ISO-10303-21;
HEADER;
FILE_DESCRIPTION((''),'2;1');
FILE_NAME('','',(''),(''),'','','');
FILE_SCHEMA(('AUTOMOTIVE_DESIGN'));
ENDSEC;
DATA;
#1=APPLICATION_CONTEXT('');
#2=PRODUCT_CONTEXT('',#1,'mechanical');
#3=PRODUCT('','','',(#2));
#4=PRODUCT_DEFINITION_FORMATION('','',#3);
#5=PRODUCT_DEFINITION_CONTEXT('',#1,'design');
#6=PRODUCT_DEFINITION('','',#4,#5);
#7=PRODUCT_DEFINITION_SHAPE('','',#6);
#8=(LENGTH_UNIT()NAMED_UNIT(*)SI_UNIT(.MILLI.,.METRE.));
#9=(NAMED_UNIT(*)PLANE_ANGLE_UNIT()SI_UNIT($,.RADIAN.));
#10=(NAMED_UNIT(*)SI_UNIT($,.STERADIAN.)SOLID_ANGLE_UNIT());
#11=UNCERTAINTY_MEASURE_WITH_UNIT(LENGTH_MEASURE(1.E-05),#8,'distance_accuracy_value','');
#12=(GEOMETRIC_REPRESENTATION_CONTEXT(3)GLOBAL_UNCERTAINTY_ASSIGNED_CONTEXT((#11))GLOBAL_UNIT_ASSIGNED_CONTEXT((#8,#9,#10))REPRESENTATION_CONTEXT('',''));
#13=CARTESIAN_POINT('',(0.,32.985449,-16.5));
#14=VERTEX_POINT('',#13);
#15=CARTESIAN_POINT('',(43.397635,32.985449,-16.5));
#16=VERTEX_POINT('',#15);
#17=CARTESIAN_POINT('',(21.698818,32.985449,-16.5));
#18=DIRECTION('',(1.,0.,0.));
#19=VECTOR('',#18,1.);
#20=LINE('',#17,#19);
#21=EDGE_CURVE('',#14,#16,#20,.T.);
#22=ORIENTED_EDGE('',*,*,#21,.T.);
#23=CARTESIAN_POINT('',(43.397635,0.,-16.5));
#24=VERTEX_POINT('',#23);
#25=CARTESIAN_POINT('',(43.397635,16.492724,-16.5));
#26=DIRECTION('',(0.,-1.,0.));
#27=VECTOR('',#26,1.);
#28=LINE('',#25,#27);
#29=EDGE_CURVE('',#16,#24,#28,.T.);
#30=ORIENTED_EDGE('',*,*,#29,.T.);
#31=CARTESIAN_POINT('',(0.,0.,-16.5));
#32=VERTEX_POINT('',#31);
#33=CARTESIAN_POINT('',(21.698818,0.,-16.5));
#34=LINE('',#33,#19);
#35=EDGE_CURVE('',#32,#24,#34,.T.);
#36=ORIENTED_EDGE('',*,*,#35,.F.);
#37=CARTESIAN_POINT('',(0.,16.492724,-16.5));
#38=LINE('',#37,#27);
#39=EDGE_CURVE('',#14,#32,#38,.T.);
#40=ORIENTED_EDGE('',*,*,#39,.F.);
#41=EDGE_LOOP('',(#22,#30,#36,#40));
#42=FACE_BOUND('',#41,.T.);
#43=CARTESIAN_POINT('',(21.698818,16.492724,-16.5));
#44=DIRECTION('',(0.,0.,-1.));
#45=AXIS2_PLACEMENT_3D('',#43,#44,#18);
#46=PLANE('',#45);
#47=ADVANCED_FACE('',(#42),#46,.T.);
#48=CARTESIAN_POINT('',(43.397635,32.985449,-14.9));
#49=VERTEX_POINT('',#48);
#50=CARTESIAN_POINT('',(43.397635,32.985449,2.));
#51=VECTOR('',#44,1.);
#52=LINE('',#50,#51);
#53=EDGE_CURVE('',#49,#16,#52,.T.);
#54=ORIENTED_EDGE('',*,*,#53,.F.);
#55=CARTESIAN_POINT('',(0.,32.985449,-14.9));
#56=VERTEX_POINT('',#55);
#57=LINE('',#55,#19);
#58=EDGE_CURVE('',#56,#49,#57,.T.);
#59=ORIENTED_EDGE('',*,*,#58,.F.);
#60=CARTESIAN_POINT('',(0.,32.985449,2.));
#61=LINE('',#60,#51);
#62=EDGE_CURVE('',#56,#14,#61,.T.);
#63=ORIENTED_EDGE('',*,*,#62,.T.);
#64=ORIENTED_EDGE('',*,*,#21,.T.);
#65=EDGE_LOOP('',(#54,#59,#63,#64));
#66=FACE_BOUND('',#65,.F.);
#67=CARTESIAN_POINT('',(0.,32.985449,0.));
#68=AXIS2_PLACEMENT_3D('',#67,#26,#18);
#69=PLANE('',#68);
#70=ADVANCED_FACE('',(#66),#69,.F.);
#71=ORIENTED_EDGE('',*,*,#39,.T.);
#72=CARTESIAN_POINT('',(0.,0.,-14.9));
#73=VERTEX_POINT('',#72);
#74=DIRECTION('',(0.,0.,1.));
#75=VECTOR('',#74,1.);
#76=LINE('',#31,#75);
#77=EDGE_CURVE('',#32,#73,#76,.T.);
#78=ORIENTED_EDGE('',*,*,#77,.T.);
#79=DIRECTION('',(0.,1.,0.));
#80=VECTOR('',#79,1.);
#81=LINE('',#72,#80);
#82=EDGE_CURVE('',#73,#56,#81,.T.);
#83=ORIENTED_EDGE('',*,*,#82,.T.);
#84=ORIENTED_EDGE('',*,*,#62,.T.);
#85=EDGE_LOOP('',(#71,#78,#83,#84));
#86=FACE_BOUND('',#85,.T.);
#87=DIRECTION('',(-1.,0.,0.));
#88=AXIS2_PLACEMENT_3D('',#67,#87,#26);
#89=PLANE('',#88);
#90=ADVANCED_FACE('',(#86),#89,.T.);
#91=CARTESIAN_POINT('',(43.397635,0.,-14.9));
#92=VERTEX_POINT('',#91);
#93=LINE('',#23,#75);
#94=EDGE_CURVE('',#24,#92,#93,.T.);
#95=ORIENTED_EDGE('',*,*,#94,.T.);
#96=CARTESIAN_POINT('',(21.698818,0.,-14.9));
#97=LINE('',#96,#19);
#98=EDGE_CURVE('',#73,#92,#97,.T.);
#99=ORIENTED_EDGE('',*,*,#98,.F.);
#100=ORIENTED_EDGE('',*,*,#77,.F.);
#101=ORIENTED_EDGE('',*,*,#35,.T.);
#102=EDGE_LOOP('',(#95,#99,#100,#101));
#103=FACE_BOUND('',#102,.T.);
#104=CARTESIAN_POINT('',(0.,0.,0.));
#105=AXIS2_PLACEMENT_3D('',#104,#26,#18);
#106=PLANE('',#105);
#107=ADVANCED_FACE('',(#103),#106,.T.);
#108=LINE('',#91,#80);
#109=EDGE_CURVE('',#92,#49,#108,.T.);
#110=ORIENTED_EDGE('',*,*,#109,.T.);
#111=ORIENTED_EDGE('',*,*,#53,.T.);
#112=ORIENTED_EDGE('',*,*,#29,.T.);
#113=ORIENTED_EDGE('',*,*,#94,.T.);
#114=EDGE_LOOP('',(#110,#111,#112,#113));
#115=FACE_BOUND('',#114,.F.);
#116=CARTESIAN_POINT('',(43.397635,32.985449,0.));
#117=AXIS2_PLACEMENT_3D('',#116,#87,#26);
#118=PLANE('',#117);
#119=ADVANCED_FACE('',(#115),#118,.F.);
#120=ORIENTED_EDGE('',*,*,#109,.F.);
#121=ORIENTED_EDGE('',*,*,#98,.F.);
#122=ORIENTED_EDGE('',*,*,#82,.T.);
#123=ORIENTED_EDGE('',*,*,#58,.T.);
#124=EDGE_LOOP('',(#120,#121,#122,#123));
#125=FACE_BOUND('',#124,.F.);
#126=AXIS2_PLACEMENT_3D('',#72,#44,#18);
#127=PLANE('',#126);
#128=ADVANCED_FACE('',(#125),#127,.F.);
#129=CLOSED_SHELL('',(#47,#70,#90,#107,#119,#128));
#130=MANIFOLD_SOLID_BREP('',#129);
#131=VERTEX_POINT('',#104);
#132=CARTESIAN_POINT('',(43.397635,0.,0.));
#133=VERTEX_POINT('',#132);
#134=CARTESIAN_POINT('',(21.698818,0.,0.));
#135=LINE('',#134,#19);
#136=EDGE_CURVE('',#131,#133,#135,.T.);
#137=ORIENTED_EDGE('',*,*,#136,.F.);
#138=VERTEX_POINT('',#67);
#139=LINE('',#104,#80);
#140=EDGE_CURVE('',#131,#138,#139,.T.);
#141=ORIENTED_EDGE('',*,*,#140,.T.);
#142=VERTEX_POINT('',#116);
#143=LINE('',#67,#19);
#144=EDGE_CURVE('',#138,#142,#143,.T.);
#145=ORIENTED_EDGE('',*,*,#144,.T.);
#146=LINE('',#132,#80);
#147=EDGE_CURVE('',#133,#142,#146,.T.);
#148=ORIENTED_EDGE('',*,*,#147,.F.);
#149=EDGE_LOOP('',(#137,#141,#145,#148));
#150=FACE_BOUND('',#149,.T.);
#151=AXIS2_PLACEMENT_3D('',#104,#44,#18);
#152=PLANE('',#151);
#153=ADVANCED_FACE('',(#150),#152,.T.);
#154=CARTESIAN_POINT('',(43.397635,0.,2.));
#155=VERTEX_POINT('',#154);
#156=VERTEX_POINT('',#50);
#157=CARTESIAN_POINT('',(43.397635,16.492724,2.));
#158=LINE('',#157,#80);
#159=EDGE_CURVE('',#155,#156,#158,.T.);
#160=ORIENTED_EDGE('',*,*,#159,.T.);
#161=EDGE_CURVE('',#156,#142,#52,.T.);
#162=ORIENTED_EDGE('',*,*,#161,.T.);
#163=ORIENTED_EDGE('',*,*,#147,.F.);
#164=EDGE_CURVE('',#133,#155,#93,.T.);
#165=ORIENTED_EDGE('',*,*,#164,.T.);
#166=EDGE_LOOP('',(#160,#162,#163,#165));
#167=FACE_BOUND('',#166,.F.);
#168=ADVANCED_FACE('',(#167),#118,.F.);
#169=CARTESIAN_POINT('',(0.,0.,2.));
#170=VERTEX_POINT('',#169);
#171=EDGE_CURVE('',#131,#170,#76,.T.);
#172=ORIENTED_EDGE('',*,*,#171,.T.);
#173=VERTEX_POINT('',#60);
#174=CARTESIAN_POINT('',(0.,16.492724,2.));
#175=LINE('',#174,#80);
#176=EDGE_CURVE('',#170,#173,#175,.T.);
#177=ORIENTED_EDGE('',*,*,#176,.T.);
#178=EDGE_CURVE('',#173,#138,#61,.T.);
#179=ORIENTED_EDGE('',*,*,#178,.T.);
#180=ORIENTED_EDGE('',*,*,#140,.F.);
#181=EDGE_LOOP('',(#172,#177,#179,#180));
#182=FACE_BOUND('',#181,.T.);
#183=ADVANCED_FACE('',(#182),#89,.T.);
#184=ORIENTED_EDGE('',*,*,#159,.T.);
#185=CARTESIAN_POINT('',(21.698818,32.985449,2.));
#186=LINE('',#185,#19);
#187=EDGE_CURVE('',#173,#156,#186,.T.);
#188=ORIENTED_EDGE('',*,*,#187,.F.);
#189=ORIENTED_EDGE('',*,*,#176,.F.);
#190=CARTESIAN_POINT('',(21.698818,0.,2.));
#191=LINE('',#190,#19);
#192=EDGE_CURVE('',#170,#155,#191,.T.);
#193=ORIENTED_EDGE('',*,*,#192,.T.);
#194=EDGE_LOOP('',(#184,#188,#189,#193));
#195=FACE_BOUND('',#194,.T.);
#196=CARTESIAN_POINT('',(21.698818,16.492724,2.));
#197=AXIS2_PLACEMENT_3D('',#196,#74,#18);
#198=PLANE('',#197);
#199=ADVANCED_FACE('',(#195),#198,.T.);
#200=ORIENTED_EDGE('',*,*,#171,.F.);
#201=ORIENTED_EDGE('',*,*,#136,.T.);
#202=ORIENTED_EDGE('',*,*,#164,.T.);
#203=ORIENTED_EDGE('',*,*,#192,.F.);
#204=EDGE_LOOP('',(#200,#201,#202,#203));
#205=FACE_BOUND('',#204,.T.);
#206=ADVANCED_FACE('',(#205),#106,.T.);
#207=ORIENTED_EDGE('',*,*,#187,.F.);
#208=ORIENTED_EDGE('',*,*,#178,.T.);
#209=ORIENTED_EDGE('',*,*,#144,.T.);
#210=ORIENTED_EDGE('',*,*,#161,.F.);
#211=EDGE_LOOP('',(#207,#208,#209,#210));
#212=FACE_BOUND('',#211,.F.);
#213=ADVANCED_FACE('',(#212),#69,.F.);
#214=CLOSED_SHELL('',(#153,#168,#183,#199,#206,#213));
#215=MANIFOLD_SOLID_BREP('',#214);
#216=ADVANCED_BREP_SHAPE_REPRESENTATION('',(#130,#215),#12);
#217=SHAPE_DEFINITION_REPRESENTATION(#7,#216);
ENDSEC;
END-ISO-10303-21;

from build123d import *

# Parameters (mm, degrees)
F0_W     = 43.3976352215
F0_H     = 32.9854488373
F1_DEPTH = 2
F2_W     = 43.3976352215
F2_H     = 32.9854488373
F3_DEPTH = 16.5
F4_W     = 43.3976352215
F4_H     = 14.9
F5_DEPTH = 35


with BuildPart() as f1:
    # F0 (on Top) → F1 (new body)
    with BuildSketch(Plane.XY):
        with Locations((21.6988176107, 16.4927244186)):
            Rectangle(F0_W, F0_H)
    extrude(amount=F1_DEPTH)

    # F2 (on face) → F3 (join)
    with BuildSketch(Plane(origin=(0, 0, 0), x_dir=(1, 0, 0), z_dir=(0, 0, -1))):
        with Locations((21.6988176107, -16.4927244186)):
            Rectangle(F2_W, F2_H)
    extrude(amount=F3_DEPTH)

    # F4 (on face) → F5 (cut)
    with BuildSketch(Plane.XZ):
        with Locations((21.6988176107, -7.45)):
            Rectangle(F4_W, F4_H)
    extrude(amount=-F5_DEPTH, mode=Mode.SUBTRACT)


solid = f1.part
